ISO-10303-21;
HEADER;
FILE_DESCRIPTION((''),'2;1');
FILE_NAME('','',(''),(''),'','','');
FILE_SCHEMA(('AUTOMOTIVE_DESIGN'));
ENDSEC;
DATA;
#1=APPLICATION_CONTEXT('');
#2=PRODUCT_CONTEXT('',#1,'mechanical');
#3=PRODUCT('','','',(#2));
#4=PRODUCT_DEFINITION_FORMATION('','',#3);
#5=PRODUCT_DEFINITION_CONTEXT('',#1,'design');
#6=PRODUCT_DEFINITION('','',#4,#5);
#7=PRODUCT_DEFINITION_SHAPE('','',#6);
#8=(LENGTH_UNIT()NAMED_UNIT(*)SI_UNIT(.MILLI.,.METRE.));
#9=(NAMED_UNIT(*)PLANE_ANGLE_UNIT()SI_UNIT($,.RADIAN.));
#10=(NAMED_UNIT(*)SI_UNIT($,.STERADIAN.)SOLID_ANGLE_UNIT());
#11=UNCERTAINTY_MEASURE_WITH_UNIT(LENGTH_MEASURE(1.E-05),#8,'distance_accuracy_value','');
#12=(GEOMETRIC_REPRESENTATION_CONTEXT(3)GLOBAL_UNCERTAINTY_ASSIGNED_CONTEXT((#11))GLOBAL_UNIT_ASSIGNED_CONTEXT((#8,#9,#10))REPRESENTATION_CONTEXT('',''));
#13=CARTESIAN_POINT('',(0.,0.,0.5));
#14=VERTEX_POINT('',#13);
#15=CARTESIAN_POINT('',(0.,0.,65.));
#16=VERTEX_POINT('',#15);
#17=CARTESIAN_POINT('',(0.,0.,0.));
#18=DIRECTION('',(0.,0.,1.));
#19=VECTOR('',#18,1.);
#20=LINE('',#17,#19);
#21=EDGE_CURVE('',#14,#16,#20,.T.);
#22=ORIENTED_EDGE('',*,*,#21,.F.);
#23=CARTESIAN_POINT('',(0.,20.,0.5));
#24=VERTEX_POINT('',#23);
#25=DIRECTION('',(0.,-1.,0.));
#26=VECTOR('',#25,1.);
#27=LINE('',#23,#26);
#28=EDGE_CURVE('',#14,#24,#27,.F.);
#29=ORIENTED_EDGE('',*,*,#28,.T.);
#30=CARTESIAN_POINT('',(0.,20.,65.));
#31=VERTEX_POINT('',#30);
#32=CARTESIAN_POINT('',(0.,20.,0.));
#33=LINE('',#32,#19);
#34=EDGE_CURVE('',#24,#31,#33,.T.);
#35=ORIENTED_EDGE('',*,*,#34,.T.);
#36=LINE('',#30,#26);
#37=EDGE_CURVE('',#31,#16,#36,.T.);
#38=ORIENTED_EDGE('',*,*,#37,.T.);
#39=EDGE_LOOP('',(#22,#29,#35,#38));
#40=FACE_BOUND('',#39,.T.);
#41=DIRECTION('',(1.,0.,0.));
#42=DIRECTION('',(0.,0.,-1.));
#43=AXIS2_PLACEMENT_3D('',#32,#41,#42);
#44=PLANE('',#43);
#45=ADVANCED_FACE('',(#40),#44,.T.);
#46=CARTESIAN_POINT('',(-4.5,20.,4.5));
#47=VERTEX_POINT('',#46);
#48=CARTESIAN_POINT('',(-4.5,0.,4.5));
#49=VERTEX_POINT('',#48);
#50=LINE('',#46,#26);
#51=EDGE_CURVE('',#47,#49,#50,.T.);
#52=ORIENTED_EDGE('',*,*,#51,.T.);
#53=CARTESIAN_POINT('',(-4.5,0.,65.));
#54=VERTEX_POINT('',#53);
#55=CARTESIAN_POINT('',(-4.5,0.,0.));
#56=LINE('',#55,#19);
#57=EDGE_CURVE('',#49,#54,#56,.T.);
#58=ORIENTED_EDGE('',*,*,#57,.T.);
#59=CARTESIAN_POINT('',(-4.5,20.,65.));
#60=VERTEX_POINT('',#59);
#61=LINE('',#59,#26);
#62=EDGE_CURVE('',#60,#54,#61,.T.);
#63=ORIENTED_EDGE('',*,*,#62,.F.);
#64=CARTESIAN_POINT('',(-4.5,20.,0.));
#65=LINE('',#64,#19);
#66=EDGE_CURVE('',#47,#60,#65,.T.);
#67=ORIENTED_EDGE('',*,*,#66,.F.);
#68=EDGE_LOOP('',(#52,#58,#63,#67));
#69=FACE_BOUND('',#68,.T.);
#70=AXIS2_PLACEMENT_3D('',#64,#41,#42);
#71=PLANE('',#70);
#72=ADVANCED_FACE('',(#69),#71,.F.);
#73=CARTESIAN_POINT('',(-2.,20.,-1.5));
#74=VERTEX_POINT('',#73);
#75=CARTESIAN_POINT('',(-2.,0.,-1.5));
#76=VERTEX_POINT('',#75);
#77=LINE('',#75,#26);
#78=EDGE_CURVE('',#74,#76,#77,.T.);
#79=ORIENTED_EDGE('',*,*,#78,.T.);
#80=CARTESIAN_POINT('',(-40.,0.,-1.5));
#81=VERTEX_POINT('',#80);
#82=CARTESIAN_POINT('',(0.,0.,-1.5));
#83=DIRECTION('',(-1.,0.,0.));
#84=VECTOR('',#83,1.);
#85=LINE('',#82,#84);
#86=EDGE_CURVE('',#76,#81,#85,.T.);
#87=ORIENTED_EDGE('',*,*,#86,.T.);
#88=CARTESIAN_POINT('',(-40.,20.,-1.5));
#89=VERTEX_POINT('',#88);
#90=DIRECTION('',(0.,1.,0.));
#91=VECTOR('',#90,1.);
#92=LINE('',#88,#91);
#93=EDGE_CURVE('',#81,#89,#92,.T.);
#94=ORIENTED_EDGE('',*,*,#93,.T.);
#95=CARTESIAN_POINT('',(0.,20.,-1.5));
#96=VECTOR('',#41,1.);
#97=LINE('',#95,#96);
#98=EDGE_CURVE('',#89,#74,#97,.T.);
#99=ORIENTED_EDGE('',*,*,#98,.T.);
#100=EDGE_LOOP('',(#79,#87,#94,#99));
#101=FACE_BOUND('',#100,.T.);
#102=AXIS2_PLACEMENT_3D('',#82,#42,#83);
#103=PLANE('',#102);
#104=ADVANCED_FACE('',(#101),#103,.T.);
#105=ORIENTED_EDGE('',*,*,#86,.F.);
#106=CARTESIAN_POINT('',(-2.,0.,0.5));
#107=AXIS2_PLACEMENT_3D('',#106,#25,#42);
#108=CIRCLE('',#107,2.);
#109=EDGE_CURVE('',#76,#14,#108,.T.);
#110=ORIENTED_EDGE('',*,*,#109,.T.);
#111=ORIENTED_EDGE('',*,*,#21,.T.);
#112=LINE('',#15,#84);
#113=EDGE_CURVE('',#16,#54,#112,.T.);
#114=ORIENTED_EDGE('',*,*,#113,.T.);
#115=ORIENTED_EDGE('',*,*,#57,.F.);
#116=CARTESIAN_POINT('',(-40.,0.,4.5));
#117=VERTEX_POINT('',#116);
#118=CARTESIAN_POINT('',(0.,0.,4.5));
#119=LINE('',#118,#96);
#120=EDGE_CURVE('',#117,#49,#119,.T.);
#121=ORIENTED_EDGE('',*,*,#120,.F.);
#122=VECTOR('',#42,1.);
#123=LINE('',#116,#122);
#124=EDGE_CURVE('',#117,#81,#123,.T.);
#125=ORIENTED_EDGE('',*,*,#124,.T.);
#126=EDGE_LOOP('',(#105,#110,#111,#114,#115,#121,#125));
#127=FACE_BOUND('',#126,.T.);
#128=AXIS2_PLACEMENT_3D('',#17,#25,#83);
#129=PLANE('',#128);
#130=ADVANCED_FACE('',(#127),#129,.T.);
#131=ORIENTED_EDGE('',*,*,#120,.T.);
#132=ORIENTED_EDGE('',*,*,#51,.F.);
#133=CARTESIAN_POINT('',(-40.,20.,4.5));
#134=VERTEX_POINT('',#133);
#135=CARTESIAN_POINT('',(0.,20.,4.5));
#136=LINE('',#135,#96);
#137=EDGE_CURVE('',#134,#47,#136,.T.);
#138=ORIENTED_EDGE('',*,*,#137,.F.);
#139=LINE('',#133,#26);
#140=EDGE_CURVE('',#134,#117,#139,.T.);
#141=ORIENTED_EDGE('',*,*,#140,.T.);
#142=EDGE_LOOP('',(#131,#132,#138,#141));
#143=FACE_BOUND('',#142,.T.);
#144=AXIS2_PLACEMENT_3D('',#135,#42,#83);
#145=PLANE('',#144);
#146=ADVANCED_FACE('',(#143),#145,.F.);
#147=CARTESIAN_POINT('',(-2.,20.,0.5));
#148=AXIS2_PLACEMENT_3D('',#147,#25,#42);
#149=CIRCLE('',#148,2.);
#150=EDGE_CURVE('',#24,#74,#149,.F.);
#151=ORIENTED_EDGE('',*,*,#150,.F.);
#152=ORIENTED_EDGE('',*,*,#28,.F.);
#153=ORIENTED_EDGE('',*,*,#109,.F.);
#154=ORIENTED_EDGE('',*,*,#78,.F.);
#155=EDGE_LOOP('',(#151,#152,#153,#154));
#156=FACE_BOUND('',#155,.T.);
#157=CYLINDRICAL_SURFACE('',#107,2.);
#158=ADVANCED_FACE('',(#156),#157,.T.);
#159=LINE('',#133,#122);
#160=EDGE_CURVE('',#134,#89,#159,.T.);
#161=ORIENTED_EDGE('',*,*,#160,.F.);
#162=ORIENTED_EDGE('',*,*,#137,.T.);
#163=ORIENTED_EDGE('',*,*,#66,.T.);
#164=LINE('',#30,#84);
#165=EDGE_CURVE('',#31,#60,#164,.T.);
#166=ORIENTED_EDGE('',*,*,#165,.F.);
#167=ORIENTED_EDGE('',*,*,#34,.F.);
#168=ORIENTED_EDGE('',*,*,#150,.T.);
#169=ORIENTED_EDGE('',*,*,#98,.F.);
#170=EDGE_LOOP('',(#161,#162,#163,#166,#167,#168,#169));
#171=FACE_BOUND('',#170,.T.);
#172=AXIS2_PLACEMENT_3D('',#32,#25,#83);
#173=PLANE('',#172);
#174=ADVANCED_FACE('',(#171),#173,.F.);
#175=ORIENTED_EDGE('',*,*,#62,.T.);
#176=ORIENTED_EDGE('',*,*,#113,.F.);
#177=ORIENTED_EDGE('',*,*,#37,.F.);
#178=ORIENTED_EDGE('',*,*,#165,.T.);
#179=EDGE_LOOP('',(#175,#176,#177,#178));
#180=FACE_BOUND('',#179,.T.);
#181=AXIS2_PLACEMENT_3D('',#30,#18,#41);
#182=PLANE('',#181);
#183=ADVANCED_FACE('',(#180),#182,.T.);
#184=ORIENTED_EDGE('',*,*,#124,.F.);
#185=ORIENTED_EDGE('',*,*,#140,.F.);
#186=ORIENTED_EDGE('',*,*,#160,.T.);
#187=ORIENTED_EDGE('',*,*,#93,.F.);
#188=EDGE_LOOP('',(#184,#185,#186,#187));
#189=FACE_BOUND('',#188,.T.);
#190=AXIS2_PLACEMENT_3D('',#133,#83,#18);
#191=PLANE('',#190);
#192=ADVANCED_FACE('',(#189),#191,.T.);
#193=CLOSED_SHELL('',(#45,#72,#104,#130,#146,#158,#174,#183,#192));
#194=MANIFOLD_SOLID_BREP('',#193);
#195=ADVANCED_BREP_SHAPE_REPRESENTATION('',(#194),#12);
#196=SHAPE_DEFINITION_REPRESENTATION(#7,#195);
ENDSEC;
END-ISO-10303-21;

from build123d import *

# Parameters (mm, degrees)
EXTRUDE_THIN1_DEPTH = 20
SKETCH2_W           = 40
SKETCH2_H           = 20
BOSS_EXTRUDE1_DEPTH = 1.5
FILLET1_R           = 2


with BuildPart() as part:
    # Sketch1 → Extrude-Thin1 (new body)
    with BuildSketch(Plane(origin=(0, 0, 0), x_dir=(1, 0, 0), z_dir=(0, 1, 0))):
        Polygon((0, -65), (0, 0), (-40, 0), (-40, -4.5), (-4.5, -4.5), (-4.5, -65), align=None)
    extrude(amount=EXTRUDE_THIN1_DEPTH)

    # Sketch2 → Boss-Extrude1 (add)
    with BuildSketch(Plane(origin=(0, 0, 0), x_dir=(-1, 0, 0), z_dir=(0, 0, -1))):
        with Locations((20, 10)):
            Rectangle(SKETCH2_W, SKETCH2_H)
    extrude(amount=BOSS_EXTRUDE1_DEPTH)

    # Fillet1
    fillet1_edges = [part.edges().sort_by_distance(p)[0] for p in [
        (0, 10, -1.5),
    ]]
    fillet(fillet1_edges, radius=FILLET1_R)


solid = part.part
